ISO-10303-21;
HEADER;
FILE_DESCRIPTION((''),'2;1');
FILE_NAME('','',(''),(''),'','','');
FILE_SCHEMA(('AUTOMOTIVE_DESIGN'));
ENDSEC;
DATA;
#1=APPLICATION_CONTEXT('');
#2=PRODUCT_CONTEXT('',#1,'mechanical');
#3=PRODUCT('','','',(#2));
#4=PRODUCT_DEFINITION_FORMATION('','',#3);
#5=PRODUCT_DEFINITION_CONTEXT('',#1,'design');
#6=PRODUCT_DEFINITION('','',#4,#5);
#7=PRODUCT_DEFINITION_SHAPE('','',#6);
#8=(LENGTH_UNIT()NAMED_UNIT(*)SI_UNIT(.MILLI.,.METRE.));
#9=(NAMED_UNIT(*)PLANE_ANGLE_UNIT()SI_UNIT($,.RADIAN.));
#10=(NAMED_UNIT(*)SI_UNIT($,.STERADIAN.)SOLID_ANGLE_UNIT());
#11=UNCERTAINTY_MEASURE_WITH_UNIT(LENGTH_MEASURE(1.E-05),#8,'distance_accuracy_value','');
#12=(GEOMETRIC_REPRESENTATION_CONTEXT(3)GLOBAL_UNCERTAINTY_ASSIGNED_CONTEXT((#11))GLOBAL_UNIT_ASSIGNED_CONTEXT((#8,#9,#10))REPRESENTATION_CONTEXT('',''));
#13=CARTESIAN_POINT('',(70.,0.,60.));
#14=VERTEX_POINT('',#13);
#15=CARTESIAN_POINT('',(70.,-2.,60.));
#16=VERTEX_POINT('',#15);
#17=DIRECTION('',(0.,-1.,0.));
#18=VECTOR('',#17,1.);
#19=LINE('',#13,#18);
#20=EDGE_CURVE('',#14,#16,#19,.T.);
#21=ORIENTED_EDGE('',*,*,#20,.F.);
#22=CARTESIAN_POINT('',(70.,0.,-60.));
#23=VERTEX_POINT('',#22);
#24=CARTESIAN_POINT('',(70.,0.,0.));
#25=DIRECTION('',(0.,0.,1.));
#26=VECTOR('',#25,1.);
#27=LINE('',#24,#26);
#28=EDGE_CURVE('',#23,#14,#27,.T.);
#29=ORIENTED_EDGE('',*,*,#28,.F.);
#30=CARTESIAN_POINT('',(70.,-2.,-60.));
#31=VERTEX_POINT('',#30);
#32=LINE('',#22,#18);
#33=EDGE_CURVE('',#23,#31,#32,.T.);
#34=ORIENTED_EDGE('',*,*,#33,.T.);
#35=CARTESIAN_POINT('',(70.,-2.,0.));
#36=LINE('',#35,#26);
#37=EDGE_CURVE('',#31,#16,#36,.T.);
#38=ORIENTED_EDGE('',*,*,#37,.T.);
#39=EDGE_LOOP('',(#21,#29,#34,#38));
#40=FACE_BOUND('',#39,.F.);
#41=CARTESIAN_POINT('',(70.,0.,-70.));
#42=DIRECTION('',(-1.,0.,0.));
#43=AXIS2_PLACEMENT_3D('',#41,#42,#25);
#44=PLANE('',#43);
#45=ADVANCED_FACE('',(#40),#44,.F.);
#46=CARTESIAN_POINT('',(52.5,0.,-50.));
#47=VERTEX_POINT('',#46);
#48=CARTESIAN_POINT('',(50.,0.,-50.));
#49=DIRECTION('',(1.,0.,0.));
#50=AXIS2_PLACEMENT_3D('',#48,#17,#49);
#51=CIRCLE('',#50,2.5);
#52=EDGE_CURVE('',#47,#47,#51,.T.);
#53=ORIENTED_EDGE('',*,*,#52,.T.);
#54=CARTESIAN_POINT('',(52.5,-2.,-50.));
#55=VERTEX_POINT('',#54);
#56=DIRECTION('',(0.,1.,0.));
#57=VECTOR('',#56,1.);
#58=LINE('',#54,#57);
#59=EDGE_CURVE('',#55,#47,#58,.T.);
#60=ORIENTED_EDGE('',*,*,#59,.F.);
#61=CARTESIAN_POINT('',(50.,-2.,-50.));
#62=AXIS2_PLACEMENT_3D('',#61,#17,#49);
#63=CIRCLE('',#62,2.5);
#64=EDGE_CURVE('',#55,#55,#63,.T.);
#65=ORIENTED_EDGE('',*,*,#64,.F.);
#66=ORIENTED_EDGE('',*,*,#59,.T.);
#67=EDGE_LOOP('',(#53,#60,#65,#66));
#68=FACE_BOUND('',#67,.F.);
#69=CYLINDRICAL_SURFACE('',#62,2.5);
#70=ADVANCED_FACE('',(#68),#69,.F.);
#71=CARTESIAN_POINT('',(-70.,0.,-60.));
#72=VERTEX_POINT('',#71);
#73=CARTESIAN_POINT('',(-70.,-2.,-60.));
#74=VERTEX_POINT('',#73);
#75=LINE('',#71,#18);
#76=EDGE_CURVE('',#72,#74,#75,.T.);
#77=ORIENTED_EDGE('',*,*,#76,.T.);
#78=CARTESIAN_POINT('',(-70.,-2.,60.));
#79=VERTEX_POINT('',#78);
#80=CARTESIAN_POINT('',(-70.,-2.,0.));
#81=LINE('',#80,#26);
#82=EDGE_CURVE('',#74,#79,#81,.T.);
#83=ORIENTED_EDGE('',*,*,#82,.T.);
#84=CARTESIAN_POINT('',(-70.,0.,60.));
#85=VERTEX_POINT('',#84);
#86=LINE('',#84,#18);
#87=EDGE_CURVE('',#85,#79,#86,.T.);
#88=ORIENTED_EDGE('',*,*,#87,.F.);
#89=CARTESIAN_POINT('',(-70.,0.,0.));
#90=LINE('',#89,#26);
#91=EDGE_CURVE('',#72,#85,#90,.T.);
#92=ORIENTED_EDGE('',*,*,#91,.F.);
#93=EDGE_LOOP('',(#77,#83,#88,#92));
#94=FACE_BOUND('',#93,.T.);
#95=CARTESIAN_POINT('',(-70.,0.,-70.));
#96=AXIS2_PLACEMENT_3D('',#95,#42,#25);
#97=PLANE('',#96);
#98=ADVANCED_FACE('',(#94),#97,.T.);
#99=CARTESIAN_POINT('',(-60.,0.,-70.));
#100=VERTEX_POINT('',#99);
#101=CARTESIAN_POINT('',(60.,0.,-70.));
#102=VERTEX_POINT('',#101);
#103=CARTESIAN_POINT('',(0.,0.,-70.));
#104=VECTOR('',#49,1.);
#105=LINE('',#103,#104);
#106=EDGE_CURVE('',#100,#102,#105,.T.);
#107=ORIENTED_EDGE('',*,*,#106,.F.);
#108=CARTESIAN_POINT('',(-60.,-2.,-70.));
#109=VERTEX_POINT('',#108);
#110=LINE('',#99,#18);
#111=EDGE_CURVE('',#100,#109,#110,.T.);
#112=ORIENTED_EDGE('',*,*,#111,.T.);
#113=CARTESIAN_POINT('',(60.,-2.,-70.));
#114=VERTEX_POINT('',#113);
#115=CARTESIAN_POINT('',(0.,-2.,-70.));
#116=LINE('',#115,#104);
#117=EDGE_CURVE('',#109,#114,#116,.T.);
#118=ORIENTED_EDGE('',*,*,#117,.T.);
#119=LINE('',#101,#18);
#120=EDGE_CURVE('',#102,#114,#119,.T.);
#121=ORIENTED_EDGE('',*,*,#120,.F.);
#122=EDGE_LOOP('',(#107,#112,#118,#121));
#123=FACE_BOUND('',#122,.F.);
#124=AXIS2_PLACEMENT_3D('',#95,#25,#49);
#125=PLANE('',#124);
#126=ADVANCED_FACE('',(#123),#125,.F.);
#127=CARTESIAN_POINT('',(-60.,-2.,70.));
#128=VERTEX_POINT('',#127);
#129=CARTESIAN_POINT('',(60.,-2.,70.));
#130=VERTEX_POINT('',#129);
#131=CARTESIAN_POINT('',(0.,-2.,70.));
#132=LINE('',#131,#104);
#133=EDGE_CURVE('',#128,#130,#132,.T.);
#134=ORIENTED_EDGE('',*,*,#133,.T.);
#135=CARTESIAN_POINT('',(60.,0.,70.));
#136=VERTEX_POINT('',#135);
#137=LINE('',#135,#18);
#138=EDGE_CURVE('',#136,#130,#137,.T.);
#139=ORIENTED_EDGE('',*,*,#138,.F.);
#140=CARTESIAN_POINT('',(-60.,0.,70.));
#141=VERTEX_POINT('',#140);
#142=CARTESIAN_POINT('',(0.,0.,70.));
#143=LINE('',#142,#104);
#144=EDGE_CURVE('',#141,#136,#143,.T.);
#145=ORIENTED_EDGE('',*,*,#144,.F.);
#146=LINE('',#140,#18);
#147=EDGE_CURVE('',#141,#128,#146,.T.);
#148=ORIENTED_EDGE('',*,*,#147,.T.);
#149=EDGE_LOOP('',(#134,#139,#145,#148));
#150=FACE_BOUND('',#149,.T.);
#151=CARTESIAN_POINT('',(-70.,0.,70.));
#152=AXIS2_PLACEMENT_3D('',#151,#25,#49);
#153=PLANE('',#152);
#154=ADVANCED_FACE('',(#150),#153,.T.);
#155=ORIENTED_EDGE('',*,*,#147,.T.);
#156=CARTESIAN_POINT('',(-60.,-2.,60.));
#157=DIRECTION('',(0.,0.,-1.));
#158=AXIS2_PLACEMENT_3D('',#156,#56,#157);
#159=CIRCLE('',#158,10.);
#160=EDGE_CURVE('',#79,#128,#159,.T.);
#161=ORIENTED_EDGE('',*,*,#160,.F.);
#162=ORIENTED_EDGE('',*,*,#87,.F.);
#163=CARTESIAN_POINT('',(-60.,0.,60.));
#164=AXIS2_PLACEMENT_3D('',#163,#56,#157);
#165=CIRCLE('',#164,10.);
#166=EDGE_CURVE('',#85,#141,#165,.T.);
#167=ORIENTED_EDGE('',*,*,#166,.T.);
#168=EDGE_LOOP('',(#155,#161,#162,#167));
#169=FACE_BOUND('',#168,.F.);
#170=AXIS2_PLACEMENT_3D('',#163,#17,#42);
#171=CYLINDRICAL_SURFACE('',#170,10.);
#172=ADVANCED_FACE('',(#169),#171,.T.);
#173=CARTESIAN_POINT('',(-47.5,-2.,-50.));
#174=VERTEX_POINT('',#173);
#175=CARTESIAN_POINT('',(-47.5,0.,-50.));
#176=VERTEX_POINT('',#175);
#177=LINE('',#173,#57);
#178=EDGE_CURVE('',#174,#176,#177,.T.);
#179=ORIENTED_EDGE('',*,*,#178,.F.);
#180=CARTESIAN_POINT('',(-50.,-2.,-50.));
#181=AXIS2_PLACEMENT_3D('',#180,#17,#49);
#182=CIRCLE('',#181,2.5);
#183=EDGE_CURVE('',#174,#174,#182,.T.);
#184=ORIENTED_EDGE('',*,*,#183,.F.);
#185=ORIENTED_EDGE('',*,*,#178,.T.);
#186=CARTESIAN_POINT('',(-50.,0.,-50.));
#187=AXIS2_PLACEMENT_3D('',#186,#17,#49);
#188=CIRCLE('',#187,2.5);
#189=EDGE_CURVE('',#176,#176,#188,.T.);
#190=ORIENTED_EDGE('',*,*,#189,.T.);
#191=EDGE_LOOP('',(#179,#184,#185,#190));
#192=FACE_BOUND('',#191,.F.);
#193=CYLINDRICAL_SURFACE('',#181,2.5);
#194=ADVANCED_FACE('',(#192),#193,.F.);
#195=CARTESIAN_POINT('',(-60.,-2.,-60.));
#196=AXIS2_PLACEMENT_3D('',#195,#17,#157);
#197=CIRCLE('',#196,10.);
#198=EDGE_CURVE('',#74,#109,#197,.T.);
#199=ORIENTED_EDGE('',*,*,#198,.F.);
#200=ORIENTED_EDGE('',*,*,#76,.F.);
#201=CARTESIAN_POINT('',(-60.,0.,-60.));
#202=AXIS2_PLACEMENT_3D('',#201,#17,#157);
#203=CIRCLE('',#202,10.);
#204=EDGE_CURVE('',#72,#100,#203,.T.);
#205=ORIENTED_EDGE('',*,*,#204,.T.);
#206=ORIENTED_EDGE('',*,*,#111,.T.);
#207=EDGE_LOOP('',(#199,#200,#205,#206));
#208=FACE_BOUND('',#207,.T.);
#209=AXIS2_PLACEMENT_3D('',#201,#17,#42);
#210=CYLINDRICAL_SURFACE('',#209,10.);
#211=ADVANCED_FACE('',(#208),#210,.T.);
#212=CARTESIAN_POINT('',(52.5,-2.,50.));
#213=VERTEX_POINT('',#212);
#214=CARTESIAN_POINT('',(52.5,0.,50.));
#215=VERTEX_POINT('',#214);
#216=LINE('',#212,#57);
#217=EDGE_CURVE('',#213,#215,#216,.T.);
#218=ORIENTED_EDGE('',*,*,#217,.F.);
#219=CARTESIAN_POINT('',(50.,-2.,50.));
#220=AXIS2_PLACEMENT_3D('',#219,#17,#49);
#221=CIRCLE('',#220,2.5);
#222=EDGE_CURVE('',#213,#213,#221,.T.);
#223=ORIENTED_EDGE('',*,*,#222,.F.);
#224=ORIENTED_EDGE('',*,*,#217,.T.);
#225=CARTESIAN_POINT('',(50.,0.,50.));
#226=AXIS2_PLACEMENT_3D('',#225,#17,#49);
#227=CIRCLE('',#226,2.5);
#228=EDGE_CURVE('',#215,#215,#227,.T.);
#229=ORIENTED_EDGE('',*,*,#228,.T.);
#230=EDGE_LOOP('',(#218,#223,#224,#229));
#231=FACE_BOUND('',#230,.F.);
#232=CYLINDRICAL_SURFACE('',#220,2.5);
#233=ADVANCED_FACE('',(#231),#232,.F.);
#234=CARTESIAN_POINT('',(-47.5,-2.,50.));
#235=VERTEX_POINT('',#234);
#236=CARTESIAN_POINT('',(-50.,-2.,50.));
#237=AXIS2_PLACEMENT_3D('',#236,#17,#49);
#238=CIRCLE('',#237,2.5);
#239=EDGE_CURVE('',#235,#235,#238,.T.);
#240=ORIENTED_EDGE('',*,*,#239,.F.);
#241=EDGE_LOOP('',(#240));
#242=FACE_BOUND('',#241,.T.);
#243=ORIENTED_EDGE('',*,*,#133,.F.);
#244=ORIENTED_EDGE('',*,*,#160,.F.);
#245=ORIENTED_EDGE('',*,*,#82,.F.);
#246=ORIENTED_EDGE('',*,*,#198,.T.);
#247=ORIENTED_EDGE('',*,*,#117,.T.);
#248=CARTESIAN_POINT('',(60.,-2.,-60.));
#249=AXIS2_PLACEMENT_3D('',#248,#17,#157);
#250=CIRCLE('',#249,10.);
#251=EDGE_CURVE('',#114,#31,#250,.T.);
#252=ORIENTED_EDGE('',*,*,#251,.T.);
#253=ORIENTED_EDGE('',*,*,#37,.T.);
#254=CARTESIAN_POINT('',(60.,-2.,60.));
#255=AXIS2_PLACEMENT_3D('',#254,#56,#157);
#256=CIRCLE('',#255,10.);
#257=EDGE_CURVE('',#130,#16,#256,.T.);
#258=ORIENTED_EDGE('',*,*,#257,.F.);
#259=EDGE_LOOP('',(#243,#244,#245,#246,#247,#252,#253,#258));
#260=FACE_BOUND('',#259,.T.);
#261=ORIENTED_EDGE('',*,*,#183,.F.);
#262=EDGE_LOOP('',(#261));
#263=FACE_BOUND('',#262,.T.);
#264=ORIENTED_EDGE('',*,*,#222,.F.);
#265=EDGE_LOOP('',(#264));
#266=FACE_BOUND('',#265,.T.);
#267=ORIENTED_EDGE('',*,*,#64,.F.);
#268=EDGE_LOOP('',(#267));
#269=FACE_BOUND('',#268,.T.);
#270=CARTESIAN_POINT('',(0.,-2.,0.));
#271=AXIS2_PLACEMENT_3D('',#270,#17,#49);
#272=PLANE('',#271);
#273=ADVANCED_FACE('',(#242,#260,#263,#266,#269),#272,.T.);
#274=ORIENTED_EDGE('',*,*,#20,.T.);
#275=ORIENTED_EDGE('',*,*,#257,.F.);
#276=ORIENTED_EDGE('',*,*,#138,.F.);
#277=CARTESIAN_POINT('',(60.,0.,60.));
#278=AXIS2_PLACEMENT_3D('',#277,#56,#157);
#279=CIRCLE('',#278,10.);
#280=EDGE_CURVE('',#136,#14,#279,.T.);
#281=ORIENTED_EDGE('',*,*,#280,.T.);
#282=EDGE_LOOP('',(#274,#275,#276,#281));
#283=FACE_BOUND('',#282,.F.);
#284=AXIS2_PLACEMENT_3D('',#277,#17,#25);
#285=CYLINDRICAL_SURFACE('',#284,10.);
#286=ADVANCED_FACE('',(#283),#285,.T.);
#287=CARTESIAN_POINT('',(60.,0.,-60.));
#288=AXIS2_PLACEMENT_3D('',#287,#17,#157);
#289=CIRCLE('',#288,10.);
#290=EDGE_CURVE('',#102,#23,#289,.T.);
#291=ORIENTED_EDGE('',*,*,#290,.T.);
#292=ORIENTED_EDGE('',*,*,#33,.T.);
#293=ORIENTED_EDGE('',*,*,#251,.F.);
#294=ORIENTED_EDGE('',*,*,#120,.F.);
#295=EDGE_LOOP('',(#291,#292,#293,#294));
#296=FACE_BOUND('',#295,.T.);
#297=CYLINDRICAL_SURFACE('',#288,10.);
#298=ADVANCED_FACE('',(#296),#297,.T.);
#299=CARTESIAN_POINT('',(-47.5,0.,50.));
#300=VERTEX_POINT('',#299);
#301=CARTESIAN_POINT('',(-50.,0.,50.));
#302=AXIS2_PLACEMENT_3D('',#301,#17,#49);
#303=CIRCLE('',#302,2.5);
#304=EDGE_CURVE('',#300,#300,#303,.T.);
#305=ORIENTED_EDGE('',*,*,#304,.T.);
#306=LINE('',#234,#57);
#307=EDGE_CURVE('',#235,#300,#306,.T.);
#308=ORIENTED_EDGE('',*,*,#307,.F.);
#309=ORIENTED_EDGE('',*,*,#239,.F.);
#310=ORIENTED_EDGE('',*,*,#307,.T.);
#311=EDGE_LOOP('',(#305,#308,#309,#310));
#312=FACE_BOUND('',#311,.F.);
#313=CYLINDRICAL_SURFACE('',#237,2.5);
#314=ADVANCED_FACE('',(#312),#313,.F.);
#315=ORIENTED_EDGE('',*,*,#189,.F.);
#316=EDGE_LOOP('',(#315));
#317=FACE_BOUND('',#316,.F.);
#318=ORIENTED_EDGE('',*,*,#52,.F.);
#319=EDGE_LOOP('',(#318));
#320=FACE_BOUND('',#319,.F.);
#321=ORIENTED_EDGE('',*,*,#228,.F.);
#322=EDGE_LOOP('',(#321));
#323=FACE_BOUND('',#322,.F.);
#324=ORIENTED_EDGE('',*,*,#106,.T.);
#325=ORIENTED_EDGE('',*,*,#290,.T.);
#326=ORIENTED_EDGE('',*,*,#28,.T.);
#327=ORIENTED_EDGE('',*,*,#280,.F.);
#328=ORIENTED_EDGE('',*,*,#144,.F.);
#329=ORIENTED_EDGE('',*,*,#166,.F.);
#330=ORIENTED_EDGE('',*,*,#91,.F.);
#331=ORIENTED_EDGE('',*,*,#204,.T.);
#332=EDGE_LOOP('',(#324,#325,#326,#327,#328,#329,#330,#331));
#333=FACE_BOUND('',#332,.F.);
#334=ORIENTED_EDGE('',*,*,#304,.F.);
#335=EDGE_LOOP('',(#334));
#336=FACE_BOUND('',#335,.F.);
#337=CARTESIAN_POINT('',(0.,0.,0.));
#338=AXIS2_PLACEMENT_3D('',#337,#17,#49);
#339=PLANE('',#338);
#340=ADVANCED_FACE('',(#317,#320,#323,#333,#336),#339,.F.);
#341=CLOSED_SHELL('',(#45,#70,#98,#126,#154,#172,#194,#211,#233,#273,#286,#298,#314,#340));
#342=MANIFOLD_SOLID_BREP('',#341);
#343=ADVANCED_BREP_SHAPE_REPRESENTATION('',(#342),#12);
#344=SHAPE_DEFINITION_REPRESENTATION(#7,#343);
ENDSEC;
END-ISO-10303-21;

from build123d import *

# Parameters (mm, degrees)
F0_W     = 140
F0_H     = 140
F1_DEPTH = 2
F2_R     = 2.5
F3_DEPTH = 25
F4_R     = 10


with BuildPart() as f1:
    # F0 (on Front) → F1 (new body)
    with BuildSketch(Plane.XZ):
        Rectangle(F0_W, F0_H)
    extrude(amount=F1_DEPTH)

    # F2 (on face) → F3 (cut)
    with BuildSketch(Plane.XZ.offset(2)):
        with Locations((-50, 50)):
            Circle(F2_R)
        with Locations((50, 50)):
            Circle(F2_R)
        with Locations((-50, -50)):
            Circle(F2_R)
        with Locations((50, -50)):
            Circle(F2_R)
    extrude(amount=-F3_DEPTH, mode=Mode.SUBTRACT)

    # F4
    f4_edges = [f1.edges().sort_by_distance(p)[0] for p in [
        (70, -1, 70),
        (70, -1, -70),
        (-70, -1, 70),
        (-70, -1, -70),
    ]]
    fillet(f4_edges, radius=F4_R)


solid = f1.part
